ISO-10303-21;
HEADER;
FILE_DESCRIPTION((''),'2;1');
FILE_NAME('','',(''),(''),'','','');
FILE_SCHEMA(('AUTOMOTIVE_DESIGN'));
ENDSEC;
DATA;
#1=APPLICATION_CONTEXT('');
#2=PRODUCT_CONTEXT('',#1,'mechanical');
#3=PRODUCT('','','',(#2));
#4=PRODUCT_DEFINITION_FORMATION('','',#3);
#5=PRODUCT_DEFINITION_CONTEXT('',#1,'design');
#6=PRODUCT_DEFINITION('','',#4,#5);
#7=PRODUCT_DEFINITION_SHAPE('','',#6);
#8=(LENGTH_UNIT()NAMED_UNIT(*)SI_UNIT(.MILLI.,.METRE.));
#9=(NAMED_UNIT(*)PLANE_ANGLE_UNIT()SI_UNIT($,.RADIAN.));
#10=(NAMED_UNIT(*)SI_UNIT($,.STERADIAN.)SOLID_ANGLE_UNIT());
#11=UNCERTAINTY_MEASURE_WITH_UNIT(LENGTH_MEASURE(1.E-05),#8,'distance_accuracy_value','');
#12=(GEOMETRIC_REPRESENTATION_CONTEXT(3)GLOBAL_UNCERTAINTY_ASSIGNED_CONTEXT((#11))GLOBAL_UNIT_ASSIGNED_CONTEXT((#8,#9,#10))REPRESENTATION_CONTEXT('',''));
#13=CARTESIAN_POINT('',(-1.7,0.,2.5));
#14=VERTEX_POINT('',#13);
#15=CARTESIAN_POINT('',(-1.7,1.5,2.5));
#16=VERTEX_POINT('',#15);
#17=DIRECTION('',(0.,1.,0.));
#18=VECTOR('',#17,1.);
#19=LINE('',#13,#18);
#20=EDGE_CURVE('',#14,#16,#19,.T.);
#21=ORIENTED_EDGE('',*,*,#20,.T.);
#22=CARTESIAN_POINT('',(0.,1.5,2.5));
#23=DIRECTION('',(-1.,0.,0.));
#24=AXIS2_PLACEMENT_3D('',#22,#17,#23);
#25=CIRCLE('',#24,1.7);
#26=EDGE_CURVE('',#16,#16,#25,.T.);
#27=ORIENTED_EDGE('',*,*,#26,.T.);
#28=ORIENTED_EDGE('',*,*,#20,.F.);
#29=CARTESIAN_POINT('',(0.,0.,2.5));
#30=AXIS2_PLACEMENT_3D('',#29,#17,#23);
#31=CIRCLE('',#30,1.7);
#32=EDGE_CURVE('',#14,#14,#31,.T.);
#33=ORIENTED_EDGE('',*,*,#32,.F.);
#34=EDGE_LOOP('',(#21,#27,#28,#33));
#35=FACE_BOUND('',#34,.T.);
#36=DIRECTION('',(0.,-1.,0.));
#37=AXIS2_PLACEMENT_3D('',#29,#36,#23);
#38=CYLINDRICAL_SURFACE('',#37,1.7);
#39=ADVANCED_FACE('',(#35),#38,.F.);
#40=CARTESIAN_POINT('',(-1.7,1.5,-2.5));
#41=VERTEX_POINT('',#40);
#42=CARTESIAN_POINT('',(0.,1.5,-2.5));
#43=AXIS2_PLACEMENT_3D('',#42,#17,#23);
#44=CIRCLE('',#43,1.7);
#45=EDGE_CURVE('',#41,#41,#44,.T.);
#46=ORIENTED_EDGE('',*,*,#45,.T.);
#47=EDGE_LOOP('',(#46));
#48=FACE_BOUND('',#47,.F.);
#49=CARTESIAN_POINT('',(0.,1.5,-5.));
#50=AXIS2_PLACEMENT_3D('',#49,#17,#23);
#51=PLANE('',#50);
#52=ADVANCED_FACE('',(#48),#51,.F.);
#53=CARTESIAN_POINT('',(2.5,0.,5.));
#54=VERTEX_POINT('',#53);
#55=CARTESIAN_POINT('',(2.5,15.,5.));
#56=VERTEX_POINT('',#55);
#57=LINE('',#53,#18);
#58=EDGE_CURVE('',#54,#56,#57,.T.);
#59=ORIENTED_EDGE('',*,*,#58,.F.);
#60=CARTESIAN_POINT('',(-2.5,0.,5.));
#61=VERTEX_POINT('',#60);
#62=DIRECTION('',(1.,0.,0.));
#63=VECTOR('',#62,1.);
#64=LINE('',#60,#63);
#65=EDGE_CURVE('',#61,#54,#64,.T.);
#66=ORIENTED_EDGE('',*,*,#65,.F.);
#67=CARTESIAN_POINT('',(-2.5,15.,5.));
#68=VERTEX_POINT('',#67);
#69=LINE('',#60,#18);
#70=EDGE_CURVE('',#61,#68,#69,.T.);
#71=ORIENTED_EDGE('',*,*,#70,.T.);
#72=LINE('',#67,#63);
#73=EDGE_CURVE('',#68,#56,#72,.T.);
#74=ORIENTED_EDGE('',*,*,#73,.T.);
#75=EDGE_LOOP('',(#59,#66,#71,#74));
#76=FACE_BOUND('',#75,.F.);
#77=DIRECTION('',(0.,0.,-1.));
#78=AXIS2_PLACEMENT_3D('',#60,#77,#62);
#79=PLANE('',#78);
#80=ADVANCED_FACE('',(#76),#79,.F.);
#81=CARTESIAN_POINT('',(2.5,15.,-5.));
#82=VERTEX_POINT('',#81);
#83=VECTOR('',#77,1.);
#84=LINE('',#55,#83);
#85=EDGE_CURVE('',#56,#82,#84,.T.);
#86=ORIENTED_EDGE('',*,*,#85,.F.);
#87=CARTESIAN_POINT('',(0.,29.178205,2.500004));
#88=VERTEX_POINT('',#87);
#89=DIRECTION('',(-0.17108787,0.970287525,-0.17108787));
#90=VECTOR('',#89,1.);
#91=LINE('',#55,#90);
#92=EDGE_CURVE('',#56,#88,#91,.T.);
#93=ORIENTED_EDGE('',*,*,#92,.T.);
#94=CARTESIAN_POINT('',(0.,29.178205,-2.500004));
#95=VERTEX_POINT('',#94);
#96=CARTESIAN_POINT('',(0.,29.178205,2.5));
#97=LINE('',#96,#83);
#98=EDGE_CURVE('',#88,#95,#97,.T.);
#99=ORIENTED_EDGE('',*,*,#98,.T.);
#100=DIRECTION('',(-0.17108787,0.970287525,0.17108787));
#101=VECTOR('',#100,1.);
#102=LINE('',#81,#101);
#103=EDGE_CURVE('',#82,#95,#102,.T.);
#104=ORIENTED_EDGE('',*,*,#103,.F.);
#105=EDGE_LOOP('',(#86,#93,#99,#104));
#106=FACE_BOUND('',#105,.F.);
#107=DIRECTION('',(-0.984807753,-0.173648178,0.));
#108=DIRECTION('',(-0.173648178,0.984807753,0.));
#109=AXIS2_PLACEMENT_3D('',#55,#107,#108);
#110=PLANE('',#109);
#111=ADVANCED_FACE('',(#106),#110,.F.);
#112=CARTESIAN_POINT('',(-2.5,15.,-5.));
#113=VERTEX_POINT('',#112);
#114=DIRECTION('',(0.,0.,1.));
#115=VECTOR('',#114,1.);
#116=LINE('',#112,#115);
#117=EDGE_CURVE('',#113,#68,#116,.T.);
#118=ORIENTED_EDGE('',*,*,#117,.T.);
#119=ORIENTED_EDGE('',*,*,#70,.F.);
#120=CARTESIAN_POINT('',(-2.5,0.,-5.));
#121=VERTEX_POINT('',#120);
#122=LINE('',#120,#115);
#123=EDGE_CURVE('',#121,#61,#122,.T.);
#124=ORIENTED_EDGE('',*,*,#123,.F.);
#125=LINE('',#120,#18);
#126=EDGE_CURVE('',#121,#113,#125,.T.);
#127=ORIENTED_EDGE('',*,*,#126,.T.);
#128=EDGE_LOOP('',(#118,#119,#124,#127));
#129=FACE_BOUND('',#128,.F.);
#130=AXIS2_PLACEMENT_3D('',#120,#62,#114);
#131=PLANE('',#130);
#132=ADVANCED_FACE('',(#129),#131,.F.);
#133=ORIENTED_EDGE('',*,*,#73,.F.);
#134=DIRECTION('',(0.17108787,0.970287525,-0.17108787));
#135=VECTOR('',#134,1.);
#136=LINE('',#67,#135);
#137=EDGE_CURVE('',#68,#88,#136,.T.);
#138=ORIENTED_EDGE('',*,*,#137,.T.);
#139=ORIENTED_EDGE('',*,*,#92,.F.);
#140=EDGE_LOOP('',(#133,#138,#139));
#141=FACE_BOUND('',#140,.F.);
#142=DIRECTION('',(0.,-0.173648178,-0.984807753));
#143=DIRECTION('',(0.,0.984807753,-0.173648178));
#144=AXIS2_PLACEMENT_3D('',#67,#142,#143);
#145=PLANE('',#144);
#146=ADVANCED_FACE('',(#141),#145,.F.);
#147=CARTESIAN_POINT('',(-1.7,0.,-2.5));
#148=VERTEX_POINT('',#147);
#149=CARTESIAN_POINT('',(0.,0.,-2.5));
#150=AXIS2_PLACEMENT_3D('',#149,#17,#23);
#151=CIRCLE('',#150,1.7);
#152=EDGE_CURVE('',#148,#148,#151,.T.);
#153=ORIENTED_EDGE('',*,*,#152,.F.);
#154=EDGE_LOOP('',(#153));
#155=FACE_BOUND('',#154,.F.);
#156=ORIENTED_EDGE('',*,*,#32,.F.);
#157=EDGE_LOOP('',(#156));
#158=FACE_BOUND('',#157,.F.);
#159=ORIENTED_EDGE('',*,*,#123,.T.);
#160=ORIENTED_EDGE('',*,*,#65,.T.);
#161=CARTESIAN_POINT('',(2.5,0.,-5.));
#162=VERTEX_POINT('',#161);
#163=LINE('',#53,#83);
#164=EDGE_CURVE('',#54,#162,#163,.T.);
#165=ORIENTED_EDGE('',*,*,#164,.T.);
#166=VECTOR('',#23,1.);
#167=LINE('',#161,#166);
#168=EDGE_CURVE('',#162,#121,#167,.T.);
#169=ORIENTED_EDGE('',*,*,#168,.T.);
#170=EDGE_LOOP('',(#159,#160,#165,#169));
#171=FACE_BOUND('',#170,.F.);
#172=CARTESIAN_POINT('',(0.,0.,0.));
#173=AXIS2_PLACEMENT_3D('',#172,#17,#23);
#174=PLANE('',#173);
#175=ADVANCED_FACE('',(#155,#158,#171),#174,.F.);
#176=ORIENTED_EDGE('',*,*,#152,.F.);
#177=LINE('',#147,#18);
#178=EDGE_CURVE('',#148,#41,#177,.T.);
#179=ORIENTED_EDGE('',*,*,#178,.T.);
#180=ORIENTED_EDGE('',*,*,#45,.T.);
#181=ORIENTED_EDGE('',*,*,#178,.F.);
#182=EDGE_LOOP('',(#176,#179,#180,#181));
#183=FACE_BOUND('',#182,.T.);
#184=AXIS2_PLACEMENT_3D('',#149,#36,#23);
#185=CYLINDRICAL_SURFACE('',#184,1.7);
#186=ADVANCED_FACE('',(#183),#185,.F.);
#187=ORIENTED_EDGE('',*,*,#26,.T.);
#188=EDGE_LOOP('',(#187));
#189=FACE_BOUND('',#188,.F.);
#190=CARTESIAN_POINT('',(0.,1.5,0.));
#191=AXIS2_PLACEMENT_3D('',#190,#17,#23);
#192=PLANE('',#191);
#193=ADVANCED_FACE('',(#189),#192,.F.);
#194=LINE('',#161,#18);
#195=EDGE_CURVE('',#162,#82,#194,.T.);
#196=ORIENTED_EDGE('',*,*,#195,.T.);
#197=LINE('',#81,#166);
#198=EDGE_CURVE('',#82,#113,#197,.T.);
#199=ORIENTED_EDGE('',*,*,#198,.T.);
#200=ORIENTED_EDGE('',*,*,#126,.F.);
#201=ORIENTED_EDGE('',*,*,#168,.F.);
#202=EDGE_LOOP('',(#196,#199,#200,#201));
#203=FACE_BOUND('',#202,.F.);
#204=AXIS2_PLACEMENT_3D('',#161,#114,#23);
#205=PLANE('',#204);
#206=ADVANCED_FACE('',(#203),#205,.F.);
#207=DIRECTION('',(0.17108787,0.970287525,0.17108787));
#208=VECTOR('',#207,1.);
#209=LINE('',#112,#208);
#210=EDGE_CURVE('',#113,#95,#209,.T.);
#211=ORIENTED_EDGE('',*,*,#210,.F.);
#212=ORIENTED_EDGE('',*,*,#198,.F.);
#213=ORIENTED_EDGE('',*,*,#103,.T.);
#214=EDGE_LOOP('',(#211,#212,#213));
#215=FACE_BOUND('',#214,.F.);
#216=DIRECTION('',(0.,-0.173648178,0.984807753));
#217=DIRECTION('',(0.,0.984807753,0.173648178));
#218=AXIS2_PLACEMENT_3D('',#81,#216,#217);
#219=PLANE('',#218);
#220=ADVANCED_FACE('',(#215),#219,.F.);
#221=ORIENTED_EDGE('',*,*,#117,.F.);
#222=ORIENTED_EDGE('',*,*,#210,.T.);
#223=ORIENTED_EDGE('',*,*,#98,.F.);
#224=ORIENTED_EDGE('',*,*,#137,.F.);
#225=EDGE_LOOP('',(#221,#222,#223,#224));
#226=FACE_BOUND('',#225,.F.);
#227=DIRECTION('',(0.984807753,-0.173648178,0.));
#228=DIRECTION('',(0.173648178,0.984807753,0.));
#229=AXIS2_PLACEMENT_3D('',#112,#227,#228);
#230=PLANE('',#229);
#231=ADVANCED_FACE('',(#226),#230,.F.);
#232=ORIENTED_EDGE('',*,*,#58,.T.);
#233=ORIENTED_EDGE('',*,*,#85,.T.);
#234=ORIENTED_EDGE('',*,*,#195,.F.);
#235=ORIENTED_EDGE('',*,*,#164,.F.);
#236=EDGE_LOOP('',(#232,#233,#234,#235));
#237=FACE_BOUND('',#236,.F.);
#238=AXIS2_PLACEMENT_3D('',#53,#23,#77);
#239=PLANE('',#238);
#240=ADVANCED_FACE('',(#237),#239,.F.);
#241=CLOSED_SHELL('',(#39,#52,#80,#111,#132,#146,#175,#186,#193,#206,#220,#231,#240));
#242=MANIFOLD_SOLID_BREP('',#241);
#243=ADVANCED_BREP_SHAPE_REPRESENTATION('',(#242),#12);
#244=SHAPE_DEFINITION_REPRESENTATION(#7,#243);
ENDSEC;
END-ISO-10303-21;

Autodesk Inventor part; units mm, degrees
ref_plane "YZ Plane" through (0, 0, 0) normal (1, 0, 0) x (0, 1, 0)
ref_plane "XZ Plane" through (0, 0, 0) normal (0, 1, 0) x (-1, 0, 0)
ref_plane "XY Plane" through (0, 0, 0) normal (0, 0, 1) x (1, 0, 0)
sketch "草圖1" plane through (0, 0, 0) normal (0, 1, 0) x (-1, 0, 0)
  line L0 (2.5, 5) -> (-2.5, 5)
  line L1 (-2.5, 5) -> (-2.5, -5)
  line L2 (-2.5, -5) -> (2.5, -5)
  line L3 (2.5, -5) -> (2.5, 5)
  circle A0 centre (0, 2.5) radius 1.7
  point P0 (0, 0)
  point P1 (0, -5)
  point P2 (2.5, 0)
  dimension "d0" = 5
  dimension "d1" = 10
  dimension "d2" = 3.4
  dimension "d3" = 2.5
  dimension "d4" = 2.5
extrude "擠出1" add sketch "草圖1" along normal blind 15 contours L3 L2 L1 L0 | A0
extrude "擠出2" cut sketch "草圖1" along normal blind 1.5 contours A0
pattern_linear "矩形陣列1" count 2 spacing 5 along (0, 0, -1) of "擠出2"
sketch "草圖3" plane through (0, 15, 0) normal (0, 1, 0) x (1, 0, 0)
  line L0 (2.5, -5) -> (2.5, 5) projected
  line L1 (2.5, 5) -> (-2.5, 5) projected
  line L2 (-2.5, 5) -> (-2.5, -5) projected
  line L3 (-2.5, -5) -> (2.5, -5) projected
  point P0 (0, 0)
extrude "擠出4" add sketch "草圖3" along normal blind 20 draft -10
properties part number "110033226_ipt_40_背流拱橋裝飾"
